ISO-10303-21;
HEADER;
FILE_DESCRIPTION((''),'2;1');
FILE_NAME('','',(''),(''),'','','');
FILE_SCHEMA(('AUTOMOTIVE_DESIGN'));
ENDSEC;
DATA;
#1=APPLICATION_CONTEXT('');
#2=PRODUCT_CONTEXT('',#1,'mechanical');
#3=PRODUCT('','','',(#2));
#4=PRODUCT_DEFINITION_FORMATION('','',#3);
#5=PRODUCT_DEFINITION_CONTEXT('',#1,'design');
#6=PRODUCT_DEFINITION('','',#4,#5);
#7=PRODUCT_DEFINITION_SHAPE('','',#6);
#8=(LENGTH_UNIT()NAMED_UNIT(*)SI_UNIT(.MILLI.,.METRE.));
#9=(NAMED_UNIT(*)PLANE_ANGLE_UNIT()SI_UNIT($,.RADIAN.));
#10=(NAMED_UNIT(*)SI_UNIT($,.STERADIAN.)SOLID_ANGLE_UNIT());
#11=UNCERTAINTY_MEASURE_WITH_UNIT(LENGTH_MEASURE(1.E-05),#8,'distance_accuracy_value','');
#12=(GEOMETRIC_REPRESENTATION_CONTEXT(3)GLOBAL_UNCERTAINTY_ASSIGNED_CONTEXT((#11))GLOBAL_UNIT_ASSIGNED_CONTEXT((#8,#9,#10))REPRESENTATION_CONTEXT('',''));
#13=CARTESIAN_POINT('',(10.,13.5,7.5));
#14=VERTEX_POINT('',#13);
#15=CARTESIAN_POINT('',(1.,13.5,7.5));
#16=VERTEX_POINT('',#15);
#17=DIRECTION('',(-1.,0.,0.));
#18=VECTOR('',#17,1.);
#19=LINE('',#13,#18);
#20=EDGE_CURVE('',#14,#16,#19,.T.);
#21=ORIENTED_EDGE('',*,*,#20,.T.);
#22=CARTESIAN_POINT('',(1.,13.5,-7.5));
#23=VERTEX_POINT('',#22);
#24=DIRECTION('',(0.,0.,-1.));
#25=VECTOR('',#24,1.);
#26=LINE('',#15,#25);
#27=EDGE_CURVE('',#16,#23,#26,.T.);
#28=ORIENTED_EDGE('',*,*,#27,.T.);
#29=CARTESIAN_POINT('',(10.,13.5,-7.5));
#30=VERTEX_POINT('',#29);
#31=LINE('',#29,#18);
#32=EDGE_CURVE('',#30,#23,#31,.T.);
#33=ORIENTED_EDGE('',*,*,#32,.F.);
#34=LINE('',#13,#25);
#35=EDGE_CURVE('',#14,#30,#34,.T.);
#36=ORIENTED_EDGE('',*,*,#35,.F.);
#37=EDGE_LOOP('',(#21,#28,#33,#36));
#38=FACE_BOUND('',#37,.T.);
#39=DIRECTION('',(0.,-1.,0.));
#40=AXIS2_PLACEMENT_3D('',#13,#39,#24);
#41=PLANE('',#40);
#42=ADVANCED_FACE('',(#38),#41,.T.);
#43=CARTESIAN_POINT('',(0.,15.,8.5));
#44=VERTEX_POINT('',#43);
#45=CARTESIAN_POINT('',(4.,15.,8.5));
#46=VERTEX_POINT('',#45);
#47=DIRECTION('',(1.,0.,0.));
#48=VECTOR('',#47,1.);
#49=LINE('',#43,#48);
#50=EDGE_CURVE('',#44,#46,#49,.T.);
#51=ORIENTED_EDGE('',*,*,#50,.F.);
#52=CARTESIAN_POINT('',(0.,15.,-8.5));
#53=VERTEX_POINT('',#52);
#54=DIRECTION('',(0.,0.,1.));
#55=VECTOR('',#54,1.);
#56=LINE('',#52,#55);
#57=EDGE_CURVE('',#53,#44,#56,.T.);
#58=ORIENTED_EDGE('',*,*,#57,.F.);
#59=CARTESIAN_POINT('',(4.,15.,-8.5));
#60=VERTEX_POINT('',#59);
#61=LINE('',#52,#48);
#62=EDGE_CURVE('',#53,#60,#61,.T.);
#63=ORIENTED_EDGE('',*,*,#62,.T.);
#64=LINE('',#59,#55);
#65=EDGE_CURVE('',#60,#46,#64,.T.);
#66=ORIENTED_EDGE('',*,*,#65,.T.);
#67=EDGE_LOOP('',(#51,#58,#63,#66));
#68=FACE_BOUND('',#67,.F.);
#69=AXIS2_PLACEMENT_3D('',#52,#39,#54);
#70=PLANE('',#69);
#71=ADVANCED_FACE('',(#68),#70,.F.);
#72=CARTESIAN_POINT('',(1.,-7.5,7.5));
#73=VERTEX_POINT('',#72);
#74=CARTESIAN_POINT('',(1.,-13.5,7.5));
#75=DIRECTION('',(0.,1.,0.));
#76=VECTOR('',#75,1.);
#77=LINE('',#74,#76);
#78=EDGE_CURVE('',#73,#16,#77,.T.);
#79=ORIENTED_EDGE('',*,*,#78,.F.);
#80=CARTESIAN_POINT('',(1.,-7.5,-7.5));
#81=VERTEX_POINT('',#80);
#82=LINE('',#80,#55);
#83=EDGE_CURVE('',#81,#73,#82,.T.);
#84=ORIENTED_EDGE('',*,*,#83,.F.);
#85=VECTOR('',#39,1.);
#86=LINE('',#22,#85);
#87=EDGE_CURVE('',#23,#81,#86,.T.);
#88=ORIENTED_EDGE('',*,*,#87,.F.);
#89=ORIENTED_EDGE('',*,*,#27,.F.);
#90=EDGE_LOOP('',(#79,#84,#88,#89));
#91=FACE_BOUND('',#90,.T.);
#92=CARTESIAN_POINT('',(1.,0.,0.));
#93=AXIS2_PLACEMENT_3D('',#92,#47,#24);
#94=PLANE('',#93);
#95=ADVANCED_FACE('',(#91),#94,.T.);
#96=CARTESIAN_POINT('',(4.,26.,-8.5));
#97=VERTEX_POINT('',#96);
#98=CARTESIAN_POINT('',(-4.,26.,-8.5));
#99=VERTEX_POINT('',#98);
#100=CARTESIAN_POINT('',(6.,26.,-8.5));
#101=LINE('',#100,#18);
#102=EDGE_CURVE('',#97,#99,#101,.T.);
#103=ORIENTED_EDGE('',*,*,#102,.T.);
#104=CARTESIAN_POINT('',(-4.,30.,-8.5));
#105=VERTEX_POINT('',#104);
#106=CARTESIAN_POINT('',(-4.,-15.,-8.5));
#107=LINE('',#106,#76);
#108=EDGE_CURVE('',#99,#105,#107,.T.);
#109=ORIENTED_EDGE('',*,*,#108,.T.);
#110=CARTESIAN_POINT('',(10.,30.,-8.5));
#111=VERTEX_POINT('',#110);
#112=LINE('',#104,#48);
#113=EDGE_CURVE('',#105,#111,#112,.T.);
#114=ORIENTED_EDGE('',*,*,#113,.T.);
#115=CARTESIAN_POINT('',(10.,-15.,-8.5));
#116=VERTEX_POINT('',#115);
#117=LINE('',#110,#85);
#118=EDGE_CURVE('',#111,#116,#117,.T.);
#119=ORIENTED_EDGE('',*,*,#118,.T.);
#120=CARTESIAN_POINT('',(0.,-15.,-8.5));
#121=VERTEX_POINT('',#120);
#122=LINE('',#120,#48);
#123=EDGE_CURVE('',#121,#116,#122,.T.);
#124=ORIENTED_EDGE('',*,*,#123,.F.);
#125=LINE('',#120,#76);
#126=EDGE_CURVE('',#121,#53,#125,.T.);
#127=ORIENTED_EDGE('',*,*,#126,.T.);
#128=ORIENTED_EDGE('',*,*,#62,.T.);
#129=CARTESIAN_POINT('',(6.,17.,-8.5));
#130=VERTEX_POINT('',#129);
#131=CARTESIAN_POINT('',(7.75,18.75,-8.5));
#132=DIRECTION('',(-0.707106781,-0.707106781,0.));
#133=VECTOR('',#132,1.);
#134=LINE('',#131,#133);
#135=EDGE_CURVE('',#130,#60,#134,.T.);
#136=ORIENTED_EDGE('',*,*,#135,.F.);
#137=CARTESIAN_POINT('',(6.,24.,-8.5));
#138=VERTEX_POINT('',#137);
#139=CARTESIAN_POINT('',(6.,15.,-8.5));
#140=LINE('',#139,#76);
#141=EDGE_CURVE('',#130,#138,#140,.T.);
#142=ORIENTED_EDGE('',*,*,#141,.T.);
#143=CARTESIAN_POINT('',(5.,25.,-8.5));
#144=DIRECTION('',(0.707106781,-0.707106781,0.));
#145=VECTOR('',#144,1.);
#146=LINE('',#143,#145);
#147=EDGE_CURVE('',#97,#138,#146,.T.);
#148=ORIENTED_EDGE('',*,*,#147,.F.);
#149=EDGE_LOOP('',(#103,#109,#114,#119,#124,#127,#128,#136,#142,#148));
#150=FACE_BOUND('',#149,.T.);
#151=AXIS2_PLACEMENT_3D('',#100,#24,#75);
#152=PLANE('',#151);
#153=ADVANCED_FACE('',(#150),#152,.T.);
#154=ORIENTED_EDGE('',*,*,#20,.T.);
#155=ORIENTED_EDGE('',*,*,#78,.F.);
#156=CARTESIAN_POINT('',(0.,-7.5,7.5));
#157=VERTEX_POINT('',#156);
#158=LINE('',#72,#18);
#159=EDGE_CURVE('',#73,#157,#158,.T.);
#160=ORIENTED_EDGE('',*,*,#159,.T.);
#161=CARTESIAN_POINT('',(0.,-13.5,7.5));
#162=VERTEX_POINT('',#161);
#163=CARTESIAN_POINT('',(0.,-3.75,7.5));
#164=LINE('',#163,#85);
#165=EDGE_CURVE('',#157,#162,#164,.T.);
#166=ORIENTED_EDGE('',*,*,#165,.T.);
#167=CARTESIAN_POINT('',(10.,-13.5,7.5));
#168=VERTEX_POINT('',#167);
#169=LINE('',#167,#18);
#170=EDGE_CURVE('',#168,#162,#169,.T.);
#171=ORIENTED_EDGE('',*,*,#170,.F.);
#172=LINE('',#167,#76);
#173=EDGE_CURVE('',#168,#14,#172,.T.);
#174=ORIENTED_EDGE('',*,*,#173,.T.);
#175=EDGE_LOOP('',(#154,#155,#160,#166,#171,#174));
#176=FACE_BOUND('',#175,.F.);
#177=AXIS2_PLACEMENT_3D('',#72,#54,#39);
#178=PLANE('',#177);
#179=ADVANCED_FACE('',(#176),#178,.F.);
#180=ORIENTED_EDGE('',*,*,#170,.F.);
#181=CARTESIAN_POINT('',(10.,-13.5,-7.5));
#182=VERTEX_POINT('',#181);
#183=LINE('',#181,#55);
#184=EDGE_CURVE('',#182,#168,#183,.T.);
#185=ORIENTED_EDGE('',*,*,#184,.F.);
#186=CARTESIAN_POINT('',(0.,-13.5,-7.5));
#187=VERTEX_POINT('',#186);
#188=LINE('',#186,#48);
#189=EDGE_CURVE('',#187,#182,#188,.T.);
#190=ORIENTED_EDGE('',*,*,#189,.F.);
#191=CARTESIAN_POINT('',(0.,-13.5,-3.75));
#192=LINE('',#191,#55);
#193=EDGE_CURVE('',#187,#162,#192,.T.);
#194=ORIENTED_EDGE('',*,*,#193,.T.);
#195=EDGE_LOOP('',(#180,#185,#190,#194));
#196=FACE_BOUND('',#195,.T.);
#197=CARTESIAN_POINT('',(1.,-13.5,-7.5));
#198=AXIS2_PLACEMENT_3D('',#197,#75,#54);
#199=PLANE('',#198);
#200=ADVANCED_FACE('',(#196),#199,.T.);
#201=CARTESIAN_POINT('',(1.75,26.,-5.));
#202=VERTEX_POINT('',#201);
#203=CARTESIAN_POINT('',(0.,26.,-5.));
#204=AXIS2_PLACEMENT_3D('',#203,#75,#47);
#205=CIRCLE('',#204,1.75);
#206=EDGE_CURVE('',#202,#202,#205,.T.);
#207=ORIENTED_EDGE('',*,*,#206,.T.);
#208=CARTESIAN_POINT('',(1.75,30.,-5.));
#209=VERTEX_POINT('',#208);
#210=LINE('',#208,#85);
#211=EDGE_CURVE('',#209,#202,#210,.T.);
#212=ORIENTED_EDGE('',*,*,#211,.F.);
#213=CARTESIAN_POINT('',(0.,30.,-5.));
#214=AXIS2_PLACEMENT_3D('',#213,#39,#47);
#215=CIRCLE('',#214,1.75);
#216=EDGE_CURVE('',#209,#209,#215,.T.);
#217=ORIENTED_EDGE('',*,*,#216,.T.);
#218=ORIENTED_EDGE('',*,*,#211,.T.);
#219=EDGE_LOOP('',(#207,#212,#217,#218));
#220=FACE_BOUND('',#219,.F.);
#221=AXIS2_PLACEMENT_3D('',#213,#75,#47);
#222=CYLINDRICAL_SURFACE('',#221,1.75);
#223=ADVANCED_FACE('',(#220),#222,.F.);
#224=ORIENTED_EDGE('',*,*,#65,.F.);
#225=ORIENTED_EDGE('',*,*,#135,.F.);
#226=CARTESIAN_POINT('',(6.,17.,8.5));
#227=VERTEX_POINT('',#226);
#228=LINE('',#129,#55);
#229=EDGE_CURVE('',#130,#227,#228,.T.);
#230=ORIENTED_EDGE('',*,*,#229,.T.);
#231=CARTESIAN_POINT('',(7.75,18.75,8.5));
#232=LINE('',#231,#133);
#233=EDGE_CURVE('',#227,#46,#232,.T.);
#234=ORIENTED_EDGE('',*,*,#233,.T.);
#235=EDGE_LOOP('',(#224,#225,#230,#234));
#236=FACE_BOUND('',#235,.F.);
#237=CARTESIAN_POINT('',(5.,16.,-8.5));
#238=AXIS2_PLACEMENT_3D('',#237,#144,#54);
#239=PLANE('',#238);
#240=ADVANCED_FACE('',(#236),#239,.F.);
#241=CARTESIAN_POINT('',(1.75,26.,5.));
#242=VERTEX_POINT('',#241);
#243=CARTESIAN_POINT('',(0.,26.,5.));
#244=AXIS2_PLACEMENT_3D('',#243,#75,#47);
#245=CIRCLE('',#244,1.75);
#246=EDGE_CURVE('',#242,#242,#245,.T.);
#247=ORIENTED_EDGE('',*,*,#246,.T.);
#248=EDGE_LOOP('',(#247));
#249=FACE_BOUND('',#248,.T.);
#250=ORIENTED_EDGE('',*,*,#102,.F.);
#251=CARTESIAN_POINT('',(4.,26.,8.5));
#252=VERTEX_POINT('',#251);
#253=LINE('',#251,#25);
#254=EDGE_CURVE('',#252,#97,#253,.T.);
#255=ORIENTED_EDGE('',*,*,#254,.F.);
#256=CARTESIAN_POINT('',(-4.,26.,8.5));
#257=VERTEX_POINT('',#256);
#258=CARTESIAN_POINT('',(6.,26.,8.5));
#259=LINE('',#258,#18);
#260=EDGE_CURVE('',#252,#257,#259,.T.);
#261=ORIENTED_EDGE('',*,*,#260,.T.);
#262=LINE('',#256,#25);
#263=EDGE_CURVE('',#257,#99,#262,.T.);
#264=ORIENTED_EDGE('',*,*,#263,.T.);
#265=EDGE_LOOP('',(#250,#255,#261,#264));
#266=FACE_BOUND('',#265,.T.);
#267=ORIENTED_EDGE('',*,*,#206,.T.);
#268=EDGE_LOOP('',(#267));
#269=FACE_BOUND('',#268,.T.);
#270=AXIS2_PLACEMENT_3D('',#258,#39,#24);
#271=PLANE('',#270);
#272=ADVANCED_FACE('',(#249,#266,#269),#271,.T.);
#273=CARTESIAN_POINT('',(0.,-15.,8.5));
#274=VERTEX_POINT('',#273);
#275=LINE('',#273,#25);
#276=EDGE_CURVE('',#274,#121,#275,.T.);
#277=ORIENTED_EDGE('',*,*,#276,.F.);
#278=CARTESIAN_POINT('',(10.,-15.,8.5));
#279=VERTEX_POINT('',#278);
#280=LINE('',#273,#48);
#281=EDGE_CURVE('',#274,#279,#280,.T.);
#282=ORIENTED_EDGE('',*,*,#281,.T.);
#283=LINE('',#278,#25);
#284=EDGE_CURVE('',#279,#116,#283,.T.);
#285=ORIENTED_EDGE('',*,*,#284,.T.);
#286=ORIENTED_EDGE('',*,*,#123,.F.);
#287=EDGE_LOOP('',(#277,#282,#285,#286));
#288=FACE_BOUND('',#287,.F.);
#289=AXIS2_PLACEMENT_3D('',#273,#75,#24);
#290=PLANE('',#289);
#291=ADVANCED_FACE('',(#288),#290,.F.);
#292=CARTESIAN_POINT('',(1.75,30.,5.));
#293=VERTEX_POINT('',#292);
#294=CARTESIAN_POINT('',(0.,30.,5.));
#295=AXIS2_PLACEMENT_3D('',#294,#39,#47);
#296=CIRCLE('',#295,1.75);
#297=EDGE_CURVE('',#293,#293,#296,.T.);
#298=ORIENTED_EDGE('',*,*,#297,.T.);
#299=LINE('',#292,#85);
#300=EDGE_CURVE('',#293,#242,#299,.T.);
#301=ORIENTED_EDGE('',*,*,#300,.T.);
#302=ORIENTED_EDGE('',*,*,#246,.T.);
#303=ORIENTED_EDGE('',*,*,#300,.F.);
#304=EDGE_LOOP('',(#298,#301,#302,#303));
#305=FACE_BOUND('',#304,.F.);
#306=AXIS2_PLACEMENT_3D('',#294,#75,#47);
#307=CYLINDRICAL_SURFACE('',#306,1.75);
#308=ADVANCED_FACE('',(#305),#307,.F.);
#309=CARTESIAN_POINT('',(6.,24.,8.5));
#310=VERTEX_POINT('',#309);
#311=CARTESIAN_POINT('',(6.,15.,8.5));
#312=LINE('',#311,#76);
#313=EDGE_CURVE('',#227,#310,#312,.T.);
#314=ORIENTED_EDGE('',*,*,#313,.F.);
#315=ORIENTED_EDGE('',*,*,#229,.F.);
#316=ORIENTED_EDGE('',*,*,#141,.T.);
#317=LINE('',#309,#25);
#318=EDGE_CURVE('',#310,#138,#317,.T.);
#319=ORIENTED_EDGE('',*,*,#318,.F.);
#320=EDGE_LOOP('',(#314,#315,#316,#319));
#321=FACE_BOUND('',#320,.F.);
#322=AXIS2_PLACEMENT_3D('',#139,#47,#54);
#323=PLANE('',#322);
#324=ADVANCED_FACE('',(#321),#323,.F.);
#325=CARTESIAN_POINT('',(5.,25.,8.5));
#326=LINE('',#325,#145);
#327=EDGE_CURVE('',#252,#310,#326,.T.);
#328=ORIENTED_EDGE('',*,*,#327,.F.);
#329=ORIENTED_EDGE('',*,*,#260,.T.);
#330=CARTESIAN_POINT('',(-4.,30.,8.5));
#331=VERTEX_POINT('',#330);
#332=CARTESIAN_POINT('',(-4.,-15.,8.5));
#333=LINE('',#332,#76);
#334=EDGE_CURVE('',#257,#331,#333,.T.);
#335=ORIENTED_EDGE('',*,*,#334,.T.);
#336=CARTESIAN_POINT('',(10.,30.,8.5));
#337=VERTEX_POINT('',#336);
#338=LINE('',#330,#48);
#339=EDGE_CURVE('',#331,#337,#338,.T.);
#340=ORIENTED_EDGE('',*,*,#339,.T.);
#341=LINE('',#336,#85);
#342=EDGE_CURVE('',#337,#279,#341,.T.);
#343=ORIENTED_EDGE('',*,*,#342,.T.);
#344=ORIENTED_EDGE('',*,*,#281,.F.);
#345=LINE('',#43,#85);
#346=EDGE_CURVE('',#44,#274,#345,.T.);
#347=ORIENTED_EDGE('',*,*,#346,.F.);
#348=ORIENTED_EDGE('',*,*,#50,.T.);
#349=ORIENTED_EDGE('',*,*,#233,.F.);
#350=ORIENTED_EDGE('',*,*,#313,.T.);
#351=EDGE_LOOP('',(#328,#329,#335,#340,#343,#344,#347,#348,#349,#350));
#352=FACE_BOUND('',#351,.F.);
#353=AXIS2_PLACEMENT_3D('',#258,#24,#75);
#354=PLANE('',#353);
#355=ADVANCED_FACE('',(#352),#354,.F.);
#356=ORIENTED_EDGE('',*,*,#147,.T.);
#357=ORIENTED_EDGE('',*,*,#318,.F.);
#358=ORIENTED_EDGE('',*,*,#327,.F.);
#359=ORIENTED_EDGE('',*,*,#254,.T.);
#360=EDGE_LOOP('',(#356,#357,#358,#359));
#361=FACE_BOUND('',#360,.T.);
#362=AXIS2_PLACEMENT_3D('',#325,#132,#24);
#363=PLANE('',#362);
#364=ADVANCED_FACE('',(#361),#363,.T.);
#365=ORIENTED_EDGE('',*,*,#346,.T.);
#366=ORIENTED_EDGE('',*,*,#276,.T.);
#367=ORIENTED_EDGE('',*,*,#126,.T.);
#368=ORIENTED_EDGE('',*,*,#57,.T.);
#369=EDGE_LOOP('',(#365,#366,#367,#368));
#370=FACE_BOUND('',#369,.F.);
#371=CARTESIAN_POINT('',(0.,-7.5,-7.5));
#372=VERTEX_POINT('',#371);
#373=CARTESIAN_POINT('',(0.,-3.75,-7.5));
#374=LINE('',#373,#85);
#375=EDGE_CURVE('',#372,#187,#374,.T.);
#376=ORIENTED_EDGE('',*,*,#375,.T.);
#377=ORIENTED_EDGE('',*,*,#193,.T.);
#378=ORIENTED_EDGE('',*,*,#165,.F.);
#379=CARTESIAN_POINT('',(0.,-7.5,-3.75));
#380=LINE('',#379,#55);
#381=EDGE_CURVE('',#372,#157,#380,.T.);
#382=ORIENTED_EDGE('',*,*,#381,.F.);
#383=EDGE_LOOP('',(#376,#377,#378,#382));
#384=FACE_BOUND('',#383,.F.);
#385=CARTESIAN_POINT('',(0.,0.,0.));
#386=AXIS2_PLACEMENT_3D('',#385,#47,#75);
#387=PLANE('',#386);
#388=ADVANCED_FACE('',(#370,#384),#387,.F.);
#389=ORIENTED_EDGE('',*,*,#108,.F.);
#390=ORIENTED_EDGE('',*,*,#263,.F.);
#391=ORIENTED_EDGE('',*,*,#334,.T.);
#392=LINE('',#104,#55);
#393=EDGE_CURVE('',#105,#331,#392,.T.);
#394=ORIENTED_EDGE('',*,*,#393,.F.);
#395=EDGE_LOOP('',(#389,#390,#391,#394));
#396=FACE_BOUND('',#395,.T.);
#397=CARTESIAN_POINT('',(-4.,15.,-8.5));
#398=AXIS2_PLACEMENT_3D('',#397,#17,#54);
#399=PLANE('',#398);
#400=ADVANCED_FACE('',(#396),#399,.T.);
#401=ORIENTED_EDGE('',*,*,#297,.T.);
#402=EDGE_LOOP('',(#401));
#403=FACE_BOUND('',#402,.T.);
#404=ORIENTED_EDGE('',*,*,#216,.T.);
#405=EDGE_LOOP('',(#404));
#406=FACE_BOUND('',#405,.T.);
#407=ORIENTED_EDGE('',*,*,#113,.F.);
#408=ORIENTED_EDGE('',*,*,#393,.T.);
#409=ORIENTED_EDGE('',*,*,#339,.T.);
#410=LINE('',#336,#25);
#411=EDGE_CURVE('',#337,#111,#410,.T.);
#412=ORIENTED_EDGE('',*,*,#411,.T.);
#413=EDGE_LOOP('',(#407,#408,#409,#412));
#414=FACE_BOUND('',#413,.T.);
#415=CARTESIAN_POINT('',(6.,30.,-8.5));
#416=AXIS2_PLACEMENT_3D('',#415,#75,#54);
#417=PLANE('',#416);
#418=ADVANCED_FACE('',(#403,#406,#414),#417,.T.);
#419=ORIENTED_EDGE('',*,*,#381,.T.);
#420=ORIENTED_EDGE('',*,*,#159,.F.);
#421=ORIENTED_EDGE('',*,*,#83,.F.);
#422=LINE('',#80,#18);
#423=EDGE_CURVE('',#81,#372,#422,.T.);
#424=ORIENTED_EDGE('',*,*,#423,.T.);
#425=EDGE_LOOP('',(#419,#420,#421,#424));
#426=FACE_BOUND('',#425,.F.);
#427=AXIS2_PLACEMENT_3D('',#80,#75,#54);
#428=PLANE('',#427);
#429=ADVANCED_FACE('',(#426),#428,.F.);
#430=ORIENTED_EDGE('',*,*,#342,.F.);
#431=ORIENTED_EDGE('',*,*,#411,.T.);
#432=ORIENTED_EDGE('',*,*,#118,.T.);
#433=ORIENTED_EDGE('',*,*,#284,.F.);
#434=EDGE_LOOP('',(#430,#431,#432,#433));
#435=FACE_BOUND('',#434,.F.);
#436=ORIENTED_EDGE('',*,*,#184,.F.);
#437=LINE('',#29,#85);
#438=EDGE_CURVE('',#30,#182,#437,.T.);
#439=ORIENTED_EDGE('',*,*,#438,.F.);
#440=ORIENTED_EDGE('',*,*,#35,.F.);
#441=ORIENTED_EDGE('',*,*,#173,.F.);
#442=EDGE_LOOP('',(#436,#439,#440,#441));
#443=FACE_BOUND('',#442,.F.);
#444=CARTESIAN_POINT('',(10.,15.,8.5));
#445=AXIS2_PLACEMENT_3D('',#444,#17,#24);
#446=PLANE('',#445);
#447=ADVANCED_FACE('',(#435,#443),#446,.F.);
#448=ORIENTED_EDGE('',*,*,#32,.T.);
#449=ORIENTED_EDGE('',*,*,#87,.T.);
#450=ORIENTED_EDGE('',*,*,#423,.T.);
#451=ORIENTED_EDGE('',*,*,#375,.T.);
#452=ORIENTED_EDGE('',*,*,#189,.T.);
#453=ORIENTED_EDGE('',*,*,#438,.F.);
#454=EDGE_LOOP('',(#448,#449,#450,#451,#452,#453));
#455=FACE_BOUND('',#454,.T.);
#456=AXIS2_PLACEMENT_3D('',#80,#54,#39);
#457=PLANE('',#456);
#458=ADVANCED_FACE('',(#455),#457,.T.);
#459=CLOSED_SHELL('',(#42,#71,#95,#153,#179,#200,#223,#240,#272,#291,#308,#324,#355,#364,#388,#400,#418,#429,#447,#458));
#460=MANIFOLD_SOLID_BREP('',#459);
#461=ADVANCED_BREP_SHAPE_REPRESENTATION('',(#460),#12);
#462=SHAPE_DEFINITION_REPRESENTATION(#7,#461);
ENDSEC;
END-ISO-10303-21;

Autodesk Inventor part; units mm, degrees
ref_plane "YZ Plane" through (0, 0, 0) normal (1, 0, 0) x (0, 1, 0)
ref_plane "XZ Plane" through (0, 0, 0) normal (0, 1, 0) x (-1, 0, 0)
ref_plane "XY Plane" through (0, 0, 0) normal (0, 0, 1) x (1, 0, 0)
sketch "Esquisse1" plane through (0, 0, 0) normal (1, 0, 0) x (0, 1, 0)
  line L0 (15, 8.5) -> (-15, 8.5)
  line L1 (-15, 8.5) -> (-15, -8.5)
  line L2 (-15, -8.5) -> (15, -8.5)
  line L3 (15, -8.5) -> (15, 8.5)
  point P0 (0, 0)
  point P1 (0, 0)
  point P2 (0, 0)
  dimension "d4" = 30
  dimension "d5" = 17
extrude "Extrusion1" add sketch "Esquisse1" along normal blind 10
sketch "Esquisse2" plane through (10, 0, 0) normal (1, 0, 0) x (0, 0, -1)
  line L0 (-7.5, 13.5) -> (7.5, 13.5)
  line L1 (7.5, 13.5) -> (7.5, -13.5)
  line L2 (7.5, -13.5) -> (-7.5, -13.5)
  line L3 (-7.5, -13.5) -> (-7.5, 13.5)
  line L4 (-7.5, 13.5) -> (7.5, -13.5)
  line L5 (-7.5, -13.5) -> (7.5, 13.5)
  point P0 (0, 0)
  point P1 (0, 0)
  point P2 (0, 0)
  dimension "d8" = 27
  dimension "d9" = 15
extrude "Extrusion2" cut sketch "Esquisse2" against normal blind 9
sketch "Esquisse3" plane through (1, 0, 0) normal (1, 0, 0) x (0, 0, -1)
  line L0 (7.5, -13.5) -> (-7.5, -13.5) projected
  line L1 (7.5, 13.5) -> (7.5, -13.5) projected
  line L2 (-7.5, -13.5) -> (7.5, -13.5)
  line L3 (7.5, -13.5) -> (7.5, -7.5)
  line L4 (7.5, -7.5) -> (-7.5, -7.5)
  line L5 (-7.5, -7.5) -> (-7.5, -13.5)
  point P0 (0, 0)
  dimension "d12" = 6
extrude "Extrusion3" cut sketch "Esquisse3" against normal blind 9
sketch "Esquisse9" plane through (0, 15, 8.5) normal (0, 1, 0) x (1, 0, 0)
  line L0 (0, 17) -> (10, 17) projected
  line L1 (0, 0) -> (10, 0) projected
  line L2 (10, 17) -> (6, 17)
  line L3 (6, 17) -> (6, 0)
  line L4 (6, 0) -> (10, 0)
  line L5 (10, 0) -> (10, 17)
  point P0 (0, 8.5)
  dimension "d58" = 4
extrude "Extrusion10" add sketch "Esquisse9" along normal blind 15
sketch "Esquisse10" plane through (6, 15, -8.5) normal (-1, 0, 0) x (0, 0, 1)
  line L0 (0, -30) -> (0, 15) projected
  line L1 (17, -30) -> (17, 15) projected
  line L2 (0, 15) -> (17, 15)
  line L3 (17, 15) -> (17, 11)
  line L4 (17, 11) -> (0, 11)
  line L5 (0, 11) -> (0, 15)
  point P0 (8.5, -15)
  point P1 (17, 15)
  point P2 (0, 11)
  dimension "d61" = 4
extrude "Extrusion11" add sketch "Esquisse10" along normal blind 10
chamfer "Chanfrein3" distance 2 angle 45 1 edges at (6, 26, 0)
chamfer "Chanfrein4" distance 2 angle 45 1 edges at (6, 15, 0)
sketch "Esquisse11" plane through (0, 30, 8.5) normal (0, 1, 0) x (1, 0, 0)
  line L0 (0, 17) -> (0, 0) projected
  circle A0 centre (0, 13.5) radius 1.75
  circle A1 centre (0, 3.5) radius 1.75
  line L1 (10, 17) -> (-4, 17) projected
  line L2 (0, 8.5) -> (10, 8.5) construction
  dimension "d70" = 3.5
  dimension "d71" = 3.5
  dimension "d72" = 10
extrude "Extrusion12" cut sketch "Esquisse11" against normal blind 10
properties part number "POUPLY_P6"
